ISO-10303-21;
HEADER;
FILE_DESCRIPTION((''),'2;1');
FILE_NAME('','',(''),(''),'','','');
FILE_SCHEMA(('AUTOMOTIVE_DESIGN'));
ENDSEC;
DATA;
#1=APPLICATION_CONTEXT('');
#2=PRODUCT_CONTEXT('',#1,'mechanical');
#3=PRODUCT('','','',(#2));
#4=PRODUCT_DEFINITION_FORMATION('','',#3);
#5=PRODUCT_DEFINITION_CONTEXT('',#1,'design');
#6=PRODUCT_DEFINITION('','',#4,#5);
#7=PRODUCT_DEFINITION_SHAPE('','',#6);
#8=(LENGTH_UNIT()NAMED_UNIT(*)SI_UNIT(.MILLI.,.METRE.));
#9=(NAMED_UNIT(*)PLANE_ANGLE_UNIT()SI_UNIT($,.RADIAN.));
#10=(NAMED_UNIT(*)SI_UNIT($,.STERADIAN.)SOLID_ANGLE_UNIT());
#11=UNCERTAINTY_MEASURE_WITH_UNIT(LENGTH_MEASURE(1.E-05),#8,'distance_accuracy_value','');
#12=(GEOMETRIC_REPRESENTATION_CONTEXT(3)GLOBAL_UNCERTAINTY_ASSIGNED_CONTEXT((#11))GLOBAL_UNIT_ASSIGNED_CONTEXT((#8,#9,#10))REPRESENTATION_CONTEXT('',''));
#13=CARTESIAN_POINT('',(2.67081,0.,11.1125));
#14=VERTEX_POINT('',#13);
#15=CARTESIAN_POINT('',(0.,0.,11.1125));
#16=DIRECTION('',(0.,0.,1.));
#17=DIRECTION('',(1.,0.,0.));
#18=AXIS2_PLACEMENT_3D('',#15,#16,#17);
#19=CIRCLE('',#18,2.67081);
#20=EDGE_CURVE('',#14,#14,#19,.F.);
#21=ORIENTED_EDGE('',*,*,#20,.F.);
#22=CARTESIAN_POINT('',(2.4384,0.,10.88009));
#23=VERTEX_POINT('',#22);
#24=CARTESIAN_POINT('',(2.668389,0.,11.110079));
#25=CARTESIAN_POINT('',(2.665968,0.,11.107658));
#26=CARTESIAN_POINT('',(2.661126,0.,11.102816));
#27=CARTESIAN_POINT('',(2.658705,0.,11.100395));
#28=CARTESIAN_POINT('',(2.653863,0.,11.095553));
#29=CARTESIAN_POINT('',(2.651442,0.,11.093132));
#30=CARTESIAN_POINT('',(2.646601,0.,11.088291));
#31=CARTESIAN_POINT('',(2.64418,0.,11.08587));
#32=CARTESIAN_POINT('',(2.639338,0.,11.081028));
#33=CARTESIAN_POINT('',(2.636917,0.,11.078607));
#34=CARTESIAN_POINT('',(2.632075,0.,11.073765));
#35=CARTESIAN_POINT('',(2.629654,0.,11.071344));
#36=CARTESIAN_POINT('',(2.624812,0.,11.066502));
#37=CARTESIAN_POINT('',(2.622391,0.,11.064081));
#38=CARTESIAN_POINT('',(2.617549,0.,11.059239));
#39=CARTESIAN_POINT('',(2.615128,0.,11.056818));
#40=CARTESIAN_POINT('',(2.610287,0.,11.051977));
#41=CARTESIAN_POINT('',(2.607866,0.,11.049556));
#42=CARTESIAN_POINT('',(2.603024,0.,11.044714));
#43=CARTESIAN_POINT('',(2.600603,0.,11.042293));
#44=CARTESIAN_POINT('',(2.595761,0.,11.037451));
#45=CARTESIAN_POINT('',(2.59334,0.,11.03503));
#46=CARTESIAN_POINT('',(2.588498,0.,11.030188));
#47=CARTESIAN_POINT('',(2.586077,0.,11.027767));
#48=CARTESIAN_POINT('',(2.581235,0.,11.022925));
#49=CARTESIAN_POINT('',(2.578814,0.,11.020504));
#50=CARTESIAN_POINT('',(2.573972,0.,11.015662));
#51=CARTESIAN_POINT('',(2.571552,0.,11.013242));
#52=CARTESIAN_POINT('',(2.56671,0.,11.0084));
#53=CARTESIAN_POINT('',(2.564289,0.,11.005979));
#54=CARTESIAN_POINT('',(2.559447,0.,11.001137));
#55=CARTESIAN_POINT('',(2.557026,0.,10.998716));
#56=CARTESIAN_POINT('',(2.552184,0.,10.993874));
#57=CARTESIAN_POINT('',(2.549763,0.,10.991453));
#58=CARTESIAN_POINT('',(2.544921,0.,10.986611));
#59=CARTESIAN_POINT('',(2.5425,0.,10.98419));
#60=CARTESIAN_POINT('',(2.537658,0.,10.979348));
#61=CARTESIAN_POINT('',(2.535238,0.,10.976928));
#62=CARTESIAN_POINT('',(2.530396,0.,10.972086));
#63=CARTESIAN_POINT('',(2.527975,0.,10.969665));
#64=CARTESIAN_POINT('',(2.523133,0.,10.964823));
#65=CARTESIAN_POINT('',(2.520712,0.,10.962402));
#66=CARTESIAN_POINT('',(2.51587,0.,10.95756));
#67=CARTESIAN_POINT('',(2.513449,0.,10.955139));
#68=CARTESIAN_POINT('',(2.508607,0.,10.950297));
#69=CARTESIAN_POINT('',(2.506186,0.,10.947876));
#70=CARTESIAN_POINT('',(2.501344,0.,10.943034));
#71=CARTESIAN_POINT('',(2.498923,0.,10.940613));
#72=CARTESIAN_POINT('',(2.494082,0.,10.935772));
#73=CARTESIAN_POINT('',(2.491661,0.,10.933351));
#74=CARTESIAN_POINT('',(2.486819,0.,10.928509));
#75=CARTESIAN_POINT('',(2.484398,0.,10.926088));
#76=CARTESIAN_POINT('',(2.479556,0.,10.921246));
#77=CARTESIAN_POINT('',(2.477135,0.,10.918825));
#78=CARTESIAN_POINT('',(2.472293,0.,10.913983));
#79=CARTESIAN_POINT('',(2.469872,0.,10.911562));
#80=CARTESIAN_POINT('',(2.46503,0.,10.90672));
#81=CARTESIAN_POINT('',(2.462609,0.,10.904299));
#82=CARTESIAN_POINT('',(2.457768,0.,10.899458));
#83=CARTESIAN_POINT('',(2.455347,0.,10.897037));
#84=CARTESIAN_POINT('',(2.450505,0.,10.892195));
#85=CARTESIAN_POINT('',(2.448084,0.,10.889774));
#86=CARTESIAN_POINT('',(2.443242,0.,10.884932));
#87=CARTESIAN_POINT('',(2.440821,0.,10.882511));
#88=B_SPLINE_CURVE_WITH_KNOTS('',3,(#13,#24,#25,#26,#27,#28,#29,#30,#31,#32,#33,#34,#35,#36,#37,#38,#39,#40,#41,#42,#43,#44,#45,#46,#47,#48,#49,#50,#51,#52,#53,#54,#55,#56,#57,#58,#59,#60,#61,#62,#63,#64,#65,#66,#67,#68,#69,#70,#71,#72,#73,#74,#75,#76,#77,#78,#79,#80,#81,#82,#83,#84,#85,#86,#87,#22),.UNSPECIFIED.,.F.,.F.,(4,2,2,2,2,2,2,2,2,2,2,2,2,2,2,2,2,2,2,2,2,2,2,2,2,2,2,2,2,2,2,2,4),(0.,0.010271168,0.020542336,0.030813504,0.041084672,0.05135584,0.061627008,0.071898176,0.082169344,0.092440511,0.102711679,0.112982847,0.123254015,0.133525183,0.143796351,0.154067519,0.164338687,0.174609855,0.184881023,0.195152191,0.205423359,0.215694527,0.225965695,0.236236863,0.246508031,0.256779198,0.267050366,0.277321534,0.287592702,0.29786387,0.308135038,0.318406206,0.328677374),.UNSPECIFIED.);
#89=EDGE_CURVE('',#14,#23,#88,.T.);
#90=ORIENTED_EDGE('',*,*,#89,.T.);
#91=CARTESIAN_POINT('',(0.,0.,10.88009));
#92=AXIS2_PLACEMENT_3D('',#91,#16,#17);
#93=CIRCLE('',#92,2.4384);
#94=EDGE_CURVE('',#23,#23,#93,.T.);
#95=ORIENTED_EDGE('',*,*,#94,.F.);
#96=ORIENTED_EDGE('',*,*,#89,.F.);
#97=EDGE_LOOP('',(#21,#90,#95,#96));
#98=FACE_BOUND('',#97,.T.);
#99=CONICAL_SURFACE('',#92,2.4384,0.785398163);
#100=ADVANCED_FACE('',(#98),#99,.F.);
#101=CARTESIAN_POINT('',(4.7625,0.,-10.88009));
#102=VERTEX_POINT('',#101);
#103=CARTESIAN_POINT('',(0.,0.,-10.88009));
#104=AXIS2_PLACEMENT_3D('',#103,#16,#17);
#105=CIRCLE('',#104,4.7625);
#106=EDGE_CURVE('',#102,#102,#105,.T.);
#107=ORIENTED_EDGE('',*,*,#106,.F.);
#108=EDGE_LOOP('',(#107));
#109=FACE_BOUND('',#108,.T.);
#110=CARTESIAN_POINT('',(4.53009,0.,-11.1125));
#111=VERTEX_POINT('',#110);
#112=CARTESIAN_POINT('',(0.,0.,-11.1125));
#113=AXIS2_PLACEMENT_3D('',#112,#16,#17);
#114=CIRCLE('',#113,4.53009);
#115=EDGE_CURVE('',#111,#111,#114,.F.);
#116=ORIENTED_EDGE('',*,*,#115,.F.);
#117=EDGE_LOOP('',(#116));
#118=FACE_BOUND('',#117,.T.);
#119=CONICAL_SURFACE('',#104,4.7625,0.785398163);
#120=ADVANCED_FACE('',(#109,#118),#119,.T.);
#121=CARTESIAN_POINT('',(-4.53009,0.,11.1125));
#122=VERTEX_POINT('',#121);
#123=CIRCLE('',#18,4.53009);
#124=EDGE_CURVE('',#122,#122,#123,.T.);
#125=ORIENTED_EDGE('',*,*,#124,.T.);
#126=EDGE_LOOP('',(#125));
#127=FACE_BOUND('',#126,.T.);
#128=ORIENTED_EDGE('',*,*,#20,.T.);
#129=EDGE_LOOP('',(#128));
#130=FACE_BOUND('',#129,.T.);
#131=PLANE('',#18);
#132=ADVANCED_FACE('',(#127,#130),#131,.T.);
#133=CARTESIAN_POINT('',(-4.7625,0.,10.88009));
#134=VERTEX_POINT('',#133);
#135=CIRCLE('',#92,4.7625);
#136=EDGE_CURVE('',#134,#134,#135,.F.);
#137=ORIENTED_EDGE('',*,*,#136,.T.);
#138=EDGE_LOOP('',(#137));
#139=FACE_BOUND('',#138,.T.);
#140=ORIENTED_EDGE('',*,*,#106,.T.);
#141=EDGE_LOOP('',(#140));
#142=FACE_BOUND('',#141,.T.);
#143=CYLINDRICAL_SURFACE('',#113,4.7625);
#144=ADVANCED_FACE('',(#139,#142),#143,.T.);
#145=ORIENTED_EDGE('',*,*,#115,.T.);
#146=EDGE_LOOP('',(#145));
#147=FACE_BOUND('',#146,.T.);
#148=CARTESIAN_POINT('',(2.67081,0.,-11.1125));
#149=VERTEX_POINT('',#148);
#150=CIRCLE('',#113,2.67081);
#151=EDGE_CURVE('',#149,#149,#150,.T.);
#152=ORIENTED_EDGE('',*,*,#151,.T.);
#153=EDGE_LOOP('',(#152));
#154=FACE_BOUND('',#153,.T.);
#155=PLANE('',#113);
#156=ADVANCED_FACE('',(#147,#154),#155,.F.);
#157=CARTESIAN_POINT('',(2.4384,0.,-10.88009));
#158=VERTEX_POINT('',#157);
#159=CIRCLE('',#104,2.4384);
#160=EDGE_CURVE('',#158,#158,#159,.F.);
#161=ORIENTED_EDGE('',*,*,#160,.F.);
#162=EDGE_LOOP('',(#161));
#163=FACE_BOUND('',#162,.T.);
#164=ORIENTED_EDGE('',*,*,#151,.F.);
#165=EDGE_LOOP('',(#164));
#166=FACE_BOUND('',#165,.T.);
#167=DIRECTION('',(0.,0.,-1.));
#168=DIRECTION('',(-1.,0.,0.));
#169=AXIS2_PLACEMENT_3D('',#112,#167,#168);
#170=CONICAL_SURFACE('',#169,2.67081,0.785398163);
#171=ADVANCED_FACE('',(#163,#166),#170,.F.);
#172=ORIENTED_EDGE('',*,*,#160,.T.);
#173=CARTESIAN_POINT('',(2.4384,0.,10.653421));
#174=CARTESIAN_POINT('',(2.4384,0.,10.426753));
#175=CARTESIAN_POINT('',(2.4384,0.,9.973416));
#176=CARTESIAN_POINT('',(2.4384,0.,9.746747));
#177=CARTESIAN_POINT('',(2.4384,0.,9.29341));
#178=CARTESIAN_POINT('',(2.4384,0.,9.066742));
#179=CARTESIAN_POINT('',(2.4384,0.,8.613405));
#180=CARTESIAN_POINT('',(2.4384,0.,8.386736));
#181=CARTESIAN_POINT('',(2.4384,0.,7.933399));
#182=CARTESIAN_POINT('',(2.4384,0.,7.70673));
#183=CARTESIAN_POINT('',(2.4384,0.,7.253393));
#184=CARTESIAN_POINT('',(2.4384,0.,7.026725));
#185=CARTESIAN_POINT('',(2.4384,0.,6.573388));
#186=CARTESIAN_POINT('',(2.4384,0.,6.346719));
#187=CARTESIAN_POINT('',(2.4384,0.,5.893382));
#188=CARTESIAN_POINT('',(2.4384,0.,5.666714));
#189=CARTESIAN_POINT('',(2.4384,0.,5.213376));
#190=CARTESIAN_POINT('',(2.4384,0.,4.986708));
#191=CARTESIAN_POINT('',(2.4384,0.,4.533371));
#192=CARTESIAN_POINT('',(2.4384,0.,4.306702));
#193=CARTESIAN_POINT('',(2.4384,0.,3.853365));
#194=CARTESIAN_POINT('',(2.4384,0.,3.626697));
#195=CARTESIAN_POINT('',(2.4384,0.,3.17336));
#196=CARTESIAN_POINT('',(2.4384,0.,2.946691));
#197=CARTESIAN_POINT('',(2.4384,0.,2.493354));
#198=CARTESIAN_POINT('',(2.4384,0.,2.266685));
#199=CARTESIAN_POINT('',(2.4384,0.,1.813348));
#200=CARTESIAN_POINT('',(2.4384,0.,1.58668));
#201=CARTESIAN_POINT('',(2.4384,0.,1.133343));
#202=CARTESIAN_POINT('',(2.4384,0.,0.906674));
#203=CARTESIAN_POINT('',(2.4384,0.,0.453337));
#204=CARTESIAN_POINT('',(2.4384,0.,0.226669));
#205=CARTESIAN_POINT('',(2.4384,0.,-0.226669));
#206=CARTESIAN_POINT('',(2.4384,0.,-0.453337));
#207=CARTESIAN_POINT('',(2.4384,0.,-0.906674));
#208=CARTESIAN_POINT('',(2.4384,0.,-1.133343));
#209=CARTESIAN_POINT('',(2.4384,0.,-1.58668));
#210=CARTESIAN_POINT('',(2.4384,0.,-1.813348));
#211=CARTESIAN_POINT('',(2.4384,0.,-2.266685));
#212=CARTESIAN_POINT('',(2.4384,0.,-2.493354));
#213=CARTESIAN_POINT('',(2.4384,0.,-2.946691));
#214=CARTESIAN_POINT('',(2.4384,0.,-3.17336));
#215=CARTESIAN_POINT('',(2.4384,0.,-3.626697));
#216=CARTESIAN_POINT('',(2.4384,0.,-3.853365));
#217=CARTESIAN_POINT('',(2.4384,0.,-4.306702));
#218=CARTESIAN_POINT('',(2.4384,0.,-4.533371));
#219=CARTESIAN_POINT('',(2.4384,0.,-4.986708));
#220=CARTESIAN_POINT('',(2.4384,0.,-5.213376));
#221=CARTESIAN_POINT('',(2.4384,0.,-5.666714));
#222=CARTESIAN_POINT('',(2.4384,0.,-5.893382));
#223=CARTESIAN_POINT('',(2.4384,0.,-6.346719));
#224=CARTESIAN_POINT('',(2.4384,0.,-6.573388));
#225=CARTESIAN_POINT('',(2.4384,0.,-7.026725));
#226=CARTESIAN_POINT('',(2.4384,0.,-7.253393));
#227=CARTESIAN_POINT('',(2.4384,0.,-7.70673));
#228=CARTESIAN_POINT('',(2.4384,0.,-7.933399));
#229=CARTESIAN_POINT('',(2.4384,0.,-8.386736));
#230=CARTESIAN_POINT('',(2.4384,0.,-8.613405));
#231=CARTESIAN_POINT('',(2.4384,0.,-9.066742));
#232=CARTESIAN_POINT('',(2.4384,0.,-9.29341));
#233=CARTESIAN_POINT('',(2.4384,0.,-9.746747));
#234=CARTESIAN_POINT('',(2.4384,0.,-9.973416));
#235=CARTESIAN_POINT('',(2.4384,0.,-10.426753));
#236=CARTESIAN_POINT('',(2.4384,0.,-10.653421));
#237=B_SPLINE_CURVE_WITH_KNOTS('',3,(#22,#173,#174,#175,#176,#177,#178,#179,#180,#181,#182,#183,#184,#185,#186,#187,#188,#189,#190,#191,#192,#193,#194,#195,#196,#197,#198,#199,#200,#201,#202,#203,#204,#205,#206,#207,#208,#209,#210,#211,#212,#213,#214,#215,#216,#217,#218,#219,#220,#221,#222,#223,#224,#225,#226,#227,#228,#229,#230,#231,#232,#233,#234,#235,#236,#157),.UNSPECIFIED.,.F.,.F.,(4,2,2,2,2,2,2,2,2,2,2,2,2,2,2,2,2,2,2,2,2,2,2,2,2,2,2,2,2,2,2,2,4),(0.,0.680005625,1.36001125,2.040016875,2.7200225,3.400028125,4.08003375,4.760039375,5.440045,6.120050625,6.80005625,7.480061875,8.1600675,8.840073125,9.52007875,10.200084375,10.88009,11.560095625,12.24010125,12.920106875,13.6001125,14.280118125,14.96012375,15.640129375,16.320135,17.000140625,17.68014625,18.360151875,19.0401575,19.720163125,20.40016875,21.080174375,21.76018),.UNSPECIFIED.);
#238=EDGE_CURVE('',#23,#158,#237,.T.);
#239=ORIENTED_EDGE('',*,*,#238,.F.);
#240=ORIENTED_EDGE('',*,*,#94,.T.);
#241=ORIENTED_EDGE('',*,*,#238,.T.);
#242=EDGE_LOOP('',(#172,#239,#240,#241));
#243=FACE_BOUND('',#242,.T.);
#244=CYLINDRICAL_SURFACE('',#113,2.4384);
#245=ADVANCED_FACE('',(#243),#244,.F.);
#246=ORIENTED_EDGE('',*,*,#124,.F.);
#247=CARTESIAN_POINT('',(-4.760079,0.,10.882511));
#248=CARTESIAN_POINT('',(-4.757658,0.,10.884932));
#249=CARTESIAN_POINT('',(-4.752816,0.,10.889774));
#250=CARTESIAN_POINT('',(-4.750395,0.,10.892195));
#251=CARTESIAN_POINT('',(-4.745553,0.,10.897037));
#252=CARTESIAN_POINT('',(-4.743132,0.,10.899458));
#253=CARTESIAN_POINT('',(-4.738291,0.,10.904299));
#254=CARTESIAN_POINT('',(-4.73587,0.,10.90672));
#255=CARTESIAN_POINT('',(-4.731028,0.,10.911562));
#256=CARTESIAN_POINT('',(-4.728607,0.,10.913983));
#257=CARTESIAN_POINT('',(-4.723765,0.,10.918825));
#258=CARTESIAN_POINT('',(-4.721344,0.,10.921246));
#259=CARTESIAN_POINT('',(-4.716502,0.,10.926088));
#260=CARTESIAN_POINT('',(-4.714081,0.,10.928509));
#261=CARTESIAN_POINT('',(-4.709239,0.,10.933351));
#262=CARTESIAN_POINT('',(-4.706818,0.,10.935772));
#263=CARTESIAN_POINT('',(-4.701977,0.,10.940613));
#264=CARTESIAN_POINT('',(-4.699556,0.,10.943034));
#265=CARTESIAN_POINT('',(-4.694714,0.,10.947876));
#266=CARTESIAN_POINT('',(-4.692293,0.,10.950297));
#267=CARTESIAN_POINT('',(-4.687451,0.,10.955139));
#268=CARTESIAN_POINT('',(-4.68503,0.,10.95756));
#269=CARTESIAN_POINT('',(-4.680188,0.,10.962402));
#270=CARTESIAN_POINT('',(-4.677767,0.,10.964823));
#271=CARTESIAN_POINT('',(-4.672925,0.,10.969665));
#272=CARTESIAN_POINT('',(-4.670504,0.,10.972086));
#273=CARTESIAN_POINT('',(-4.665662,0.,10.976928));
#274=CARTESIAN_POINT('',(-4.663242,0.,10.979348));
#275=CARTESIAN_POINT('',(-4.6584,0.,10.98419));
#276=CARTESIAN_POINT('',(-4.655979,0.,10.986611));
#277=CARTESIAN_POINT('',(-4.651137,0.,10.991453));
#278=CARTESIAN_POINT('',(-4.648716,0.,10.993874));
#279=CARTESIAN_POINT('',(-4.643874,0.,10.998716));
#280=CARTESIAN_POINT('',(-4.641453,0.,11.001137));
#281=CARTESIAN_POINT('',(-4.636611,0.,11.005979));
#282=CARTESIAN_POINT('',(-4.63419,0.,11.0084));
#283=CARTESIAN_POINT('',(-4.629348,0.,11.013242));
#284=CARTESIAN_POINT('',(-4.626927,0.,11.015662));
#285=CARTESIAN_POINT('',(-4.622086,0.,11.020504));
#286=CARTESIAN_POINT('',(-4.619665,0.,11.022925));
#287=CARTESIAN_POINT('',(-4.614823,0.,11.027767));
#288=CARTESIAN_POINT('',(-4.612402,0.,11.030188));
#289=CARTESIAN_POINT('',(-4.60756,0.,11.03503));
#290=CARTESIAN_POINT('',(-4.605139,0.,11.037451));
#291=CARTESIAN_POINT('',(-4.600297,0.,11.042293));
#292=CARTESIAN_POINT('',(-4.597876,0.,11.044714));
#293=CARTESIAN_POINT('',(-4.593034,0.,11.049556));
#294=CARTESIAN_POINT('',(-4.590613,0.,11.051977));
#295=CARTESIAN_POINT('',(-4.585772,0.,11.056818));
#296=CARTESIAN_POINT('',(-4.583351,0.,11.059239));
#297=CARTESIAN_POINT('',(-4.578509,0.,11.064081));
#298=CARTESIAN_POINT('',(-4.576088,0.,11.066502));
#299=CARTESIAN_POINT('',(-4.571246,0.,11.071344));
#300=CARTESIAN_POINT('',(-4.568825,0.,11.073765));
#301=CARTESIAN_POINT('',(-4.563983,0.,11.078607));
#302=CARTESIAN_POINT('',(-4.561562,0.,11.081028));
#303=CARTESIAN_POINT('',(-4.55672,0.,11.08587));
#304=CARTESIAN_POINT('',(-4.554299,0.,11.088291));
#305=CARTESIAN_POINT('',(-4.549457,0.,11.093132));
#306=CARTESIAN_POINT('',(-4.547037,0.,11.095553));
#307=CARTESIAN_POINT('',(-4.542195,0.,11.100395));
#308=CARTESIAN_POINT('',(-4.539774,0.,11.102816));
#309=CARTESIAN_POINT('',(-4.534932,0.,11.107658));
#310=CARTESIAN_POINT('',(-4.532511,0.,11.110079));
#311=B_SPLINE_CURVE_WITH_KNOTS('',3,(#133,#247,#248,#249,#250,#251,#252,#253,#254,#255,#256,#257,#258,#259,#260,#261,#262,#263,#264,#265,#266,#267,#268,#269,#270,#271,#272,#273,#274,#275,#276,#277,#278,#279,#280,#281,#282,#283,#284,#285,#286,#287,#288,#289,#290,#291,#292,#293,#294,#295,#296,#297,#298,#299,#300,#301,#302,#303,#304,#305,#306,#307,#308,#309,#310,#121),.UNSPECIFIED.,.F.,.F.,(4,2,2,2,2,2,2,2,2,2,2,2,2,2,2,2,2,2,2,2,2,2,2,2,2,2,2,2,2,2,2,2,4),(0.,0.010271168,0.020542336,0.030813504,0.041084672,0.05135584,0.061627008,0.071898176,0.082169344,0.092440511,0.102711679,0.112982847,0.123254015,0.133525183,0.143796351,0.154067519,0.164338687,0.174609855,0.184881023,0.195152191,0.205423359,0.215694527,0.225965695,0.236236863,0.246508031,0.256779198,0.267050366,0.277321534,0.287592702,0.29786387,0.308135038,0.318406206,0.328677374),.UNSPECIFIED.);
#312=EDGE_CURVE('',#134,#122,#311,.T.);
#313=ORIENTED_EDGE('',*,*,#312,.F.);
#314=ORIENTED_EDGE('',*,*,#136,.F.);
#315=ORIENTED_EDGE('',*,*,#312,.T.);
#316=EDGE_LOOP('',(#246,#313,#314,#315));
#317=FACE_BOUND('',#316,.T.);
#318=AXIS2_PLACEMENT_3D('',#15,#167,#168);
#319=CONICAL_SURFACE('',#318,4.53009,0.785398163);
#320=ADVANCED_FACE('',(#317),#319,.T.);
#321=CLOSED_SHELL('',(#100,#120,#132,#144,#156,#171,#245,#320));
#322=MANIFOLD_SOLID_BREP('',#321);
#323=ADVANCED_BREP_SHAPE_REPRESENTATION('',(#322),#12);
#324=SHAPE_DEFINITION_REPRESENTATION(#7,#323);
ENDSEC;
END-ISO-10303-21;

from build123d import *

# Parameters (mm, degrees)
BOSS_EXTRUDE1_DEPTH      = 11.1125
BOSS_EXTRUDE1_DEPTH_BACK = 11.1125
SKETCH3_R                = 4.7625
SKETCH3_R_2              = 2.4384
CHAMFER1_SIZE            = 0.23241


with BuildPart() as part:
    # Sketch3 → Boss-Extrude1 (new, two sides: drawn at the far end of the back side and taken through both)
    with BuildSketch(Plane.XY.offset(-BOSS_EXTRUDE1_DEPTH_BACK)):
        Circle(SKETCH3_R)
        Circle(SKETCH3_R_2, mode=Mode.SUBTRACT)
    extrude(amount=BOSS_EXTRUDE1_DEPTH + BOSS_EXTRUDE1_DEPTH_BACK)

    # Chamfer1
    chamfer1_edges = [part.edges().sort_by_distance(p)[0] for p in [
        (-4.7625, 0, -11.1125),
        (-2.4384, 0, -11.1125),
        (-4.7625, 0, 11.1125),
        (-2.4384, 0, 11.1125),
    ]]
    chamfer(chamfer1_edges, length=CHAMFER1_SIZE)


solid = part.part
